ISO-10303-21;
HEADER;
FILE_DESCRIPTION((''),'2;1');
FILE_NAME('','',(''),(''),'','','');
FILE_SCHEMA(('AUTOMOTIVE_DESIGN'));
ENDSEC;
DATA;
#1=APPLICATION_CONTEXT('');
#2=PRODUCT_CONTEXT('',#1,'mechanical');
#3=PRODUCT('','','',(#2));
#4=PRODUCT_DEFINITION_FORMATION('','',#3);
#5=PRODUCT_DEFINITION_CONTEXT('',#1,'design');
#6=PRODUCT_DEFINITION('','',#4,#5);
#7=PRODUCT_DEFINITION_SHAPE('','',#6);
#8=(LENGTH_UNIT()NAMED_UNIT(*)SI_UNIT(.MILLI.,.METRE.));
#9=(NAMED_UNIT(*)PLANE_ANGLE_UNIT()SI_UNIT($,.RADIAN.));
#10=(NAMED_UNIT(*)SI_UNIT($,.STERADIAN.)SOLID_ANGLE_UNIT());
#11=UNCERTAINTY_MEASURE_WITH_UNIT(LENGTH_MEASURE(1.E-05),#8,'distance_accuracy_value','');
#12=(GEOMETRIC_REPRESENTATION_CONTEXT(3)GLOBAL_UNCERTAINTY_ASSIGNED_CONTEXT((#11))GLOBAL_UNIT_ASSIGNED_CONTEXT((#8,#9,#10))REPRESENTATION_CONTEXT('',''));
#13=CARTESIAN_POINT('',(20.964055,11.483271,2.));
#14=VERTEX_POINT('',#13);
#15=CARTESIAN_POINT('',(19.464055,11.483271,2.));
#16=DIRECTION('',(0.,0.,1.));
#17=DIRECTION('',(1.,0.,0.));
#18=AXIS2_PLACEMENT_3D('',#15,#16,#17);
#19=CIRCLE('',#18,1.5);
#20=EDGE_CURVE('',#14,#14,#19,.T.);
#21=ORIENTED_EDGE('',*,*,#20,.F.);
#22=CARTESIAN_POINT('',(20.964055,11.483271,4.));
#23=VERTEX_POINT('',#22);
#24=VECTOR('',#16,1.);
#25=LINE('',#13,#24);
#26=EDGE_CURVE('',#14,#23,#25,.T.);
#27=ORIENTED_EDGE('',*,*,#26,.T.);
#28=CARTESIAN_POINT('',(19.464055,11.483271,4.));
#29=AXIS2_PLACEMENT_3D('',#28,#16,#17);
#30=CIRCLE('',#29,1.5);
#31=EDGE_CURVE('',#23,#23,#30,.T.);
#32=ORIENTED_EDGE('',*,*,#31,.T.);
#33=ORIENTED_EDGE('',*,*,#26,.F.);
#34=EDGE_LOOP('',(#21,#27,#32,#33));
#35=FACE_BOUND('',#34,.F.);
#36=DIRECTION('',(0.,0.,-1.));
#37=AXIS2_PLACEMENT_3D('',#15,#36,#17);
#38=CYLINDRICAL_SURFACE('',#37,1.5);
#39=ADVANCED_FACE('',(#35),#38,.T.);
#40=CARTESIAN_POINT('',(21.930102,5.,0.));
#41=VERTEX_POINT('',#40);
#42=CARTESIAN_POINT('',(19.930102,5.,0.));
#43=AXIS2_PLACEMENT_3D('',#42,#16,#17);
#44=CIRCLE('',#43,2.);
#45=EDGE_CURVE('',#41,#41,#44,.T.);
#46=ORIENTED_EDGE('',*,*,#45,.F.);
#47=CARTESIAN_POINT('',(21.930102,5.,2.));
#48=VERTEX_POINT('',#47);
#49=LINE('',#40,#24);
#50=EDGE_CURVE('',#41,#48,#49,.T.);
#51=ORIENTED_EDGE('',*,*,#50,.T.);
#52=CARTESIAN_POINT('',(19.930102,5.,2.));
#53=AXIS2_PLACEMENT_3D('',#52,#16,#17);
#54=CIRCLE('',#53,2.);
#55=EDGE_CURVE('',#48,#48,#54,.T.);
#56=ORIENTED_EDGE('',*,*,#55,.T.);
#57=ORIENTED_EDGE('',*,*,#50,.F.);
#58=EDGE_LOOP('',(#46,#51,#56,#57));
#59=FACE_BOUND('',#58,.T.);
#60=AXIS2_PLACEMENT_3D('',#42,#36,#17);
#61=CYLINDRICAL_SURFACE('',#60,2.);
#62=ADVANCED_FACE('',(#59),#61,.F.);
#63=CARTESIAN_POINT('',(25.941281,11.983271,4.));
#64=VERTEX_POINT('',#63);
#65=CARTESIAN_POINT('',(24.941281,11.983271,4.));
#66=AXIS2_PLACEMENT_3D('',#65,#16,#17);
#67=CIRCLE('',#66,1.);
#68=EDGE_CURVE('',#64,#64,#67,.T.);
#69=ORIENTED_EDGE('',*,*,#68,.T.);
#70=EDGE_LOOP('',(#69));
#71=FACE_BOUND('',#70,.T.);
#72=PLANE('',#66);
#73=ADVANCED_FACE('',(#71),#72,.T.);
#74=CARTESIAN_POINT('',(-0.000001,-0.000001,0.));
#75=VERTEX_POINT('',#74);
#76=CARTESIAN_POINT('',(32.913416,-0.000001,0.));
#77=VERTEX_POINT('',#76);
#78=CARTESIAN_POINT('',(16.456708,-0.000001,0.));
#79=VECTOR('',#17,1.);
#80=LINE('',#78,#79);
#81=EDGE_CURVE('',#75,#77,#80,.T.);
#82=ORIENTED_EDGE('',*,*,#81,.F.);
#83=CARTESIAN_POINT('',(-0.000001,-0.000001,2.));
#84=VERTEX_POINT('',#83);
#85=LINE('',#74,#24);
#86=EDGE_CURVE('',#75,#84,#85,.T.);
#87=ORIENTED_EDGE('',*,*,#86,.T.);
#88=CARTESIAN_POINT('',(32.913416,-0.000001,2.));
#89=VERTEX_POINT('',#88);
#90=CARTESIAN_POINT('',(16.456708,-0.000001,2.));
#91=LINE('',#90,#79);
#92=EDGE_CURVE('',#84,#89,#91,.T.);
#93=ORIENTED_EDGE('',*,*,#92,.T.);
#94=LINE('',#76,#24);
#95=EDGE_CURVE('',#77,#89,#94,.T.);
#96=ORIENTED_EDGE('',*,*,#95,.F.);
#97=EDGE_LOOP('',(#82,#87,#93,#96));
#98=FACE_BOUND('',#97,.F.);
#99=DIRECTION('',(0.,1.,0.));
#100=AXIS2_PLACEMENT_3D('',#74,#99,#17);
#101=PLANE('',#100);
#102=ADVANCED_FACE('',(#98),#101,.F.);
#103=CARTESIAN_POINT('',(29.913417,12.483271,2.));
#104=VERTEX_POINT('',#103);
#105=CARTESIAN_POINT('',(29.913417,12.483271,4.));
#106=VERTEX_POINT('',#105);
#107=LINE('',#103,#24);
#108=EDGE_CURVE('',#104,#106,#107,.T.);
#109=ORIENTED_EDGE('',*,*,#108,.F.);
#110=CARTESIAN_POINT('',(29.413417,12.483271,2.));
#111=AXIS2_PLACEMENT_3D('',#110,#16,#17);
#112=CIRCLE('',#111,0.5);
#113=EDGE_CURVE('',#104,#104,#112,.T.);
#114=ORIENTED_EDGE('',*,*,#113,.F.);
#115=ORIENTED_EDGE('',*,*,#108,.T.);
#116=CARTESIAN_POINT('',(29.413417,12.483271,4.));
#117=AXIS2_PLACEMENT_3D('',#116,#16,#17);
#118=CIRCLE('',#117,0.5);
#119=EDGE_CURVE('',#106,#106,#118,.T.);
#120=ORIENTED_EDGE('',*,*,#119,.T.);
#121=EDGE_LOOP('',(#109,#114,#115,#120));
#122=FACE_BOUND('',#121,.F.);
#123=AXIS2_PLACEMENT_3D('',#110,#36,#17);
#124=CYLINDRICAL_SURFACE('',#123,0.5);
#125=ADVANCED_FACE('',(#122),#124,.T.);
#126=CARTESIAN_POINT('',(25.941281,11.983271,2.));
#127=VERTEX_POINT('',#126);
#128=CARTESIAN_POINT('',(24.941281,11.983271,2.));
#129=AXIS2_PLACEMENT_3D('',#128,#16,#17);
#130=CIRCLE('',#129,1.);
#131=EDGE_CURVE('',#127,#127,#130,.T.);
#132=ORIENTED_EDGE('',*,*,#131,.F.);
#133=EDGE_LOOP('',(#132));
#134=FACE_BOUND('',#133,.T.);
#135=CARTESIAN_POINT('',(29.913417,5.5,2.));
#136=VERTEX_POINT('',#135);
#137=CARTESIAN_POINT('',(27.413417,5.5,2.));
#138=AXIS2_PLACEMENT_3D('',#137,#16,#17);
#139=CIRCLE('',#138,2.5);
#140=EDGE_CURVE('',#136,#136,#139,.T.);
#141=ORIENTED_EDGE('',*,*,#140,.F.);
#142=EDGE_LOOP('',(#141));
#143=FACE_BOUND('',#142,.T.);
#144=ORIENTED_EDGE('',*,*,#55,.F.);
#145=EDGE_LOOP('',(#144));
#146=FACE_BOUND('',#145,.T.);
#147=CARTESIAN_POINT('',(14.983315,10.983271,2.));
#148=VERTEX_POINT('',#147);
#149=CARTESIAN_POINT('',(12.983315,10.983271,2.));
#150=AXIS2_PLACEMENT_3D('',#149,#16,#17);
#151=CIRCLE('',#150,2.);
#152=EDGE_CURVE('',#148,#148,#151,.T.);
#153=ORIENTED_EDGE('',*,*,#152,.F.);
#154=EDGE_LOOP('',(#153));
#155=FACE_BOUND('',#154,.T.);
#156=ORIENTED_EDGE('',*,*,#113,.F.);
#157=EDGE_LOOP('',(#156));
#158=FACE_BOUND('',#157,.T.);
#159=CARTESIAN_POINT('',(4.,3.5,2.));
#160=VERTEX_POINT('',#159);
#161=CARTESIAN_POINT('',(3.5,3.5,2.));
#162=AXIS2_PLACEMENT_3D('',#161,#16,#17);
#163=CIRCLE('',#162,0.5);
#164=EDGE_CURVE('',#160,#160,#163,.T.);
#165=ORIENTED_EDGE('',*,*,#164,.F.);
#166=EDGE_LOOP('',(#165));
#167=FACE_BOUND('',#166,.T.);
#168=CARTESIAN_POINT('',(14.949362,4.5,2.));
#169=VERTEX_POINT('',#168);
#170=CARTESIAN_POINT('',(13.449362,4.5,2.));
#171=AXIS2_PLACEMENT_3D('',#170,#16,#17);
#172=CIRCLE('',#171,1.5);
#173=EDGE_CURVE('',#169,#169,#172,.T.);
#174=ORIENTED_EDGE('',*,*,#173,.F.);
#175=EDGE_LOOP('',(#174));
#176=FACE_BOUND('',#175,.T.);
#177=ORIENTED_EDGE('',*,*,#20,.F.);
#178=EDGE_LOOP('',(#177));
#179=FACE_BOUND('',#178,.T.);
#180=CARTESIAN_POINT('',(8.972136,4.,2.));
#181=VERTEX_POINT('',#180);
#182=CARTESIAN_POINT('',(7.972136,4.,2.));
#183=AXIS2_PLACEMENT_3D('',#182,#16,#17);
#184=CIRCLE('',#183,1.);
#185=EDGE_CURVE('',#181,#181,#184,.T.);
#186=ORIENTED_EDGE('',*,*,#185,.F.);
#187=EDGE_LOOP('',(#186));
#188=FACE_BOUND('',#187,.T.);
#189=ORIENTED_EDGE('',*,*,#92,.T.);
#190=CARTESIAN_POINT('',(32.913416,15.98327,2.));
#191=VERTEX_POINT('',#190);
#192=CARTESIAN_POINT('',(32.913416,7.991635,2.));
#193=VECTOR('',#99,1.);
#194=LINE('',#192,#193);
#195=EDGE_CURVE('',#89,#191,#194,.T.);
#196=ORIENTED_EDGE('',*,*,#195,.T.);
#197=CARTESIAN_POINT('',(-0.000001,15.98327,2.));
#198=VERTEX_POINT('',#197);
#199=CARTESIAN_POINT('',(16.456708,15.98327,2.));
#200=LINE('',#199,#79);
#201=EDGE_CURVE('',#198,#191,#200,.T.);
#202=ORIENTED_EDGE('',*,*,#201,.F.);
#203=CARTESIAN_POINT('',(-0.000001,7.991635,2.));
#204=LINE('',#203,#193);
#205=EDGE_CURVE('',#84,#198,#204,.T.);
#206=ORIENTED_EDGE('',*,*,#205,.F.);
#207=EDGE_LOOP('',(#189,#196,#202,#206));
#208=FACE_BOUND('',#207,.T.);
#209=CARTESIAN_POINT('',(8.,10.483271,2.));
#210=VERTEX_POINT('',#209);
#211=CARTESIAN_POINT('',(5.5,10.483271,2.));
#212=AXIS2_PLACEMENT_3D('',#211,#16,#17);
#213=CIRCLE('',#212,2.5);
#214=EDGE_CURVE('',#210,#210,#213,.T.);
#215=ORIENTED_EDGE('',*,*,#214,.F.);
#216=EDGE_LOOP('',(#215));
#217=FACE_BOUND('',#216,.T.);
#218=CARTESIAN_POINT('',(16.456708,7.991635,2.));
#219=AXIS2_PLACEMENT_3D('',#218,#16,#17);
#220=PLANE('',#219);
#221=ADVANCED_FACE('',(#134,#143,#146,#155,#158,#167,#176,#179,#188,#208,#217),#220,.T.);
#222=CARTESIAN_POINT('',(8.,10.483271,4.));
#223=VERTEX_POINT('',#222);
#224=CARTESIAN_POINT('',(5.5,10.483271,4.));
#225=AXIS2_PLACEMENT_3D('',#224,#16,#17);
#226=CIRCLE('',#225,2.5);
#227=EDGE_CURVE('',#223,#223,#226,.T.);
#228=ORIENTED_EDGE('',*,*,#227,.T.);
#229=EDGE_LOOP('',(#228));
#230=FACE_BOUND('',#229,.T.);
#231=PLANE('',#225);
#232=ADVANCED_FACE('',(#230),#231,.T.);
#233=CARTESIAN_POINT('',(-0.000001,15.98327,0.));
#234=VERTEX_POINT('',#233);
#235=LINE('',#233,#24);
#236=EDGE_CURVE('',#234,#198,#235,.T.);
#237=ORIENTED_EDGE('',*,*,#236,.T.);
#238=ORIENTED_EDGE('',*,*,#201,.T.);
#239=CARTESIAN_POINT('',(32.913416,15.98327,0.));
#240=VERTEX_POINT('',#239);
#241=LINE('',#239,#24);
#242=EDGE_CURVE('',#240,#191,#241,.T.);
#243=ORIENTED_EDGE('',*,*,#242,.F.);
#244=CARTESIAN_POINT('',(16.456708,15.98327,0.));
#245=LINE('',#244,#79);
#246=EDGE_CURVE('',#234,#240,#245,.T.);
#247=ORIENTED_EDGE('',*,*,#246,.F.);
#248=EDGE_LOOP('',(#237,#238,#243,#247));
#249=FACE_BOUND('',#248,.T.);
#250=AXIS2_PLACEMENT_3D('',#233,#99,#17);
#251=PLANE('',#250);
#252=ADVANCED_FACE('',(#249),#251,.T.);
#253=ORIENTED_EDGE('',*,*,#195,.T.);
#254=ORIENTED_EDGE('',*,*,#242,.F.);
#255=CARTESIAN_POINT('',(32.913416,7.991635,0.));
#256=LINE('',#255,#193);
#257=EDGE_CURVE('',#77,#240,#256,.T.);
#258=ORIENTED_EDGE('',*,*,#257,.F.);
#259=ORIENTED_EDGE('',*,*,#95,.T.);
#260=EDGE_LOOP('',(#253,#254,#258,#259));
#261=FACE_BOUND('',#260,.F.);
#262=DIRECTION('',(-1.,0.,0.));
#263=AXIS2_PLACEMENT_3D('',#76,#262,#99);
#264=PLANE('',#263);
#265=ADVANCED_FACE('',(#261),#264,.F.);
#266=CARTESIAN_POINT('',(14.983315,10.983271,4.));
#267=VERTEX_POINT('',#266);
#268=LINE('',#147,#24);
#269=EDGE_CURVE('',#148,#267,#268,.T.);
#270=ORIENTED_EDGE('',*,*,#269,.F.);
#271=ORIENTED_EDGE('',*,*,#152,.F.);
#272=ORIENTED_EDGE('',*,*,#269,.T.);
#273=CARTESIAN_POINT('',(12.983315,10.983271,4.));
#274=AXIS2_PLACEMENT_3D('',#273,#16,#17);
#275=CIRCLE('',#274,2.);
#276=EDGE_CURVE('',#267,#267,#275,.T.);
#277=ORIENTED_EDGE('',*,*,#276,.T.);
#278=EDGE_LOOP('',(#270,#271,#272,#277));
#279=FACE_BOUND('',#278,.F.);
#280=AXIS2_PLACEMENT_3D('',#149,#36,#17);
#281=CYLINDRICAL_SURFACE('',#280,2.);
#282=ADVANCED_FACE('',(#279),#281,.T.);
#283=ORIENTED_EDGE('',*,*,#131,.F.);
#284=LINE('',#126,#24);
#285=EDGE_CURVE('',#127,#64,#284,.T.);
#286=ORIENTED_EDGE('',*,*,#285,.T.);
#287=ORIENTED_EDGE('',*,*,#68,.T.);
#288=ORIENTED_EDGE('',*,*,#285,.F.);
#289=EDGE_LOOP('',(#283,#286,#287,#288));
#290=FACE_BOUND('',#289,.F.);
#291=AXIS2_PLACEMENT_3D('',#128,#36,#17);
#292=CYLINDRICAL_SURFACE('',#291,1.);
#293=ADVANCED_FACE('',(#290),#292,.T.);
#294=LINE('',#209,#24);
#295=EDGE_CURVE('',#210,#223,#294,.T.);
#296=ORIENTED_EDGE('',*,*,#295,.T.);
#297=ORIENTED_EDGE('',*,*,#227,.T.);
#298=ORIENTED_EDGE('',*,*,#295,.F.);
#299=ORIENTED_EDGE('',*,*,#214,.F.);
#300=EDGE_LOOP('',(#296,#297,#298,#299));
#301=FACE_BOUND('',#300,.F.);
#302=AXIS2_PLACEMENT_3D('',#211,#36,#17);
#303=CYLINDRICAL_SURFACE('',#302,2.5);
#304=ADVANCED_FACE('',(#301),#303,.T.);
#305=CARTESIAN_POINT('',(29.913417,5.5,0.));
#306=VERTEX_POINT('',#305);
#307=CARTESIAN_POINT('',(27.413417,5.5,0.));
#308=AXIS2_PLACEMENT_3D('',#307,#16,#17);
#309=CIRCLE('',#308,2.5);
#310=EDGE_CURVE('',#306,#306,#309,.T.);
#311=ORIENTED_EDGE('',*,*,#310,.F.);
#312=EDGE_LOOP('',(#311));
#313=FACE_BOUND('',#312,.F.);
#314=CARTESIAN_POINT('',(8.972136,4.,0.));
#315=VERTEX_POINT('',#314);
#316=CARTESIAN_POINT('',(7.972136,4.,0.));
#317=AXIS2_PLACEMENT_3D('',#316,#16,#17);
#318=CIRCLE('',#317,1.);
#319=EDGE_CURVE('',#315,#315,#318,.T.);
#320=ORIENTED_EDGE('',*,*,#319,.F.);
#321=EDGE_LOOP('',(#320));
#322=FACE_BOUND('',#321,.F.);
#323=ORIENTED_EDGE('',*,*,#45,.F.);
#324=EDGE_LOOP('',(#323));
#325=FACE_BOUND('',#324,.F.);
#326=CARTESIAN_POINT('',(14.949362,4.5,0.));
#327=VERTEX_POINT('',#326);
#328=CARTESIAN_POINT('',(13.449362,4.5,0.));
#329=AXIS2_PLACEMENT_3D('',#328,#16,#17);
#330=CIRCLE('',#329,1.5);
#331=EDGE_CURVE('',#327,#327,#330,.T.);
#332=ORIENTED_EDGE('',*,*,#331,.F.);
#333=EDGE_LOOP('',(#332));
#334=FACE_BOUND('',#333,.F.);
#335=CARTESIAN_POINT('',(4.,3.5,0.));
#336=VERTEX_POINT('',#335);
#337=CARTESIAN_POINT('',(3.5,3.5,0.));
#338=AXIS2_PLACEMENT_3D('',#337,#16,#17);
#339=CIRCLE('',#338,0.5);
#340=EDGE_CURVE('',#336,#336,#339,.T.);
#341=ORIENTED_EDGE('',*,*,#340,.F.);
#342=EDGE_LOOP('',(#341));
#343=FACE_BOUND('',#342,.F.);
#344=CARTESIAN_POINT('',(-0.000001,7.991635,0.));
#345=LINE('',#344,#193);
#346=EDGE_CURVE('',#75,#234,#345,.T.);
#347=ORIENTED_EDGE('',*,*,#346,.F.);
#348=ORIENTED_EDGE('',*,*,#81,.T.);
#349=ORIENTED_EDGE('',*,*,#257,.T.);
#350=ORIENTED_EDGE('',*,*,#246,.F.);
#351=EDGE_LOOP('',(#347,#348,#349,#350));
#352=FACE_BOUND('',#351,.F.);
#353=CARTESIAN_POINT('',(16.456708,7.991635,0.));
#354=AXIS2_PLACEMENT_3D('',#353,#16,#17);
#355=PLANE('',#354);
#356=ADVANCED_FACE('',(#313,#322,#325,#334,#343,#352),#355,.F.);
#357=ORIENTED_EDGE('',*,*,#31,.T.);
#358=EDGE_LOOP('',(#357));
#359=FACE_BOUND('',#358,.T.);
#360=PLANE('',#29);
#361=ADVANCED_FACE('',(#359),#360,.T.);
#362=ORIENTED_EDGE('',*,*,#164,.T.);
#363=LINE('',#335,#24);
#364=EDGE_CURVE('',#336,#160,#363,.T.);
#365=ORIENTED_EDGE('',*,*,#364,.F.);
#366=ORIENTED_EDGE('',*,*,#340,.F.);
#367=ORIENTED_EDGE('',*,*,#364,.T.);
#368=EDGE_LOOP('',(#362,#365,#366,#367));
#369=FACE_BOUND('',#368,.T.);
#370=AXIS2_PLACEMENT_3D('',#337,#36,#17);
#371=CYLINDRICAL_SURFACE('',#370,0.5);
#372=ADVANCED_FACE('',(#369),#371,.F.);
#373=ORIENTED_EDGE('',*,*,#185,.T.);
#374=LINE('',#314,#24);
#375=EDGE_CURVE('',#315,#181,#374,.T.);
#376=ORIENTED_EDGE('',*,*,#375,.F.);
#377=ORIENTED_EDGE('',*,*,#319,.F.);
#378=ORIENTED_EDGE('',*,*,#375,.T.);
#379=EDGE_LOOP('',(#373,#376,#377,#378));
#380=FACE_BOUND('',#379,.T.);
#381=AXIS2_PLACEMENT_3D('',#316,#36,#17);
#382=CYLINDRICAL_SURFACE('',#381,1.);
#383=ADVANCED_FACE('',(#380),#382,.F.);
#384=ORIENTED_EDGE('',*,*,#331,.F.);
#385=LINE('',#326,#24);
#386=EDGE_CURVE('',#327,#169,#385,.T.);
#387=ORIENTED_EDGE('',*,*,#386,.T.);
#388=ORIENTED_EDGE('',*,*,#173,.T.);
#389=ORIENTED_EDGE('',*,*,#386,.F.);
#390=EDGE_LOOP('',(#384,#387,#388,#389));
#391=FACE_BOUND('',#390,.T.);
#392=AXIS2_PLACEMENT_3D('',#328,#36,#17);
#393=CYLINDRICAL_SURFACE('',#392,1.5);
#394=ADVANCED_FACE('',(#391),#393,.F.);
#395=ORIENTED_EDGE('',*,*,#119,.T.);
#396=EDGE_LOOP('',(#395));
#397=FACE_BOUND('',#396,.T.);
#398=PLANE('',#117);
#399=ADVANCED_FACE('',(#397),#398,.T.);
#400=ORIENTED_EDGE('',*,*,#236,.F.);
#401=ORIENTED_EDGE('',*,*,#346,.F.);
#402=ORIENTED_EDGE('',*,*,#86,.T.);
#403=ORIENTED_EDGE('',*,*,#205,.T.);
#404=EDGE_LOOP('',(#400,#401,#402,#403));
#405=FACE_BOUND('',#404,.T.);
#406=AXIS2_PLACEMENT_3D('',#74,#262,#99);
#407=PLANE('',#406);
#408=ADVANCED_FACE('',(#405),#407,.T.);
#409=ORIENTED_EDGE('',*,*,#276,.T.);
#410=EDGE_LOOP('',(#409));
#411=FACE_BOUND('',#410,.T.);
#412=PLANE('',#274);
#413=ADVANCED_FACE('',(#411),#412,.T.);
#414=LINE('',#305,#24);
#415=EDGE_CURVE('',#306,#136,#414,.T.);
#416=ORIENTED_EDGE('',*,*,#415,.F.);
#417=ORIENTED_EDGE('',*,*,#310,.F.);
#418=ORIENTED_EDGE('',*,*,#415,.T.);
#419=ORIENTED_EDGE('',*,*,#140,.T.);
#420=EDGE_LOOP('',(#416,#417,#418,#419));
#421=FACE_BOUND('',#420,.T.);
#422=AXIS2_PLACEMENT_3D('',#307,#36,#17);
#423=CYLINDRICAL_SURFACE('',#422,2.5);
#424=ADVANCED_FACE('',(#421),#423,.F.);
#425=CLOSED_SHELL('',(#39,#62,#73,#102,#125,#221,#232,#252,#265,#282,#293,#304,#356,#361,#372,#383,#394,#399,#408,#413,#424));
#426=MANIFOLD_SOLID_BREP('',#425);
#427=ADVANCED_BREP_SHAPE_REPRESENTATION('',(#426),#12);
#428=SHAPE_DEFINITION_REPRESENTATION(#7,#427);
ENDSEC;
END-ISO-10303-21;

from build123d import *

# Parameters (mm, degrees)
F0_W     = 32.913417
F0_H     = 15.983271
F0_R     = 0.5
F0_R_2   = 1
F0_R_3   = 1.5
F0_R_4   = 2
F0_R_5   = 2.5
F1_DEPTH = 2
F2_R     = 0.5
F2_R_2   = 1
F2_R_3   = 1.5
F2_R_4   = 2
F2_R_5   = 2.5
F3_DEPTH = 2


with BuildPart() as f1:
    # F0 (on Top) → F1 (new body)
    with BuildSketch(Plane.XY):
        with Locations((16.456708, 7.991635)):
            Rectangle(F0_W, F0_H)
        with Locations((3.5, 3.5)):
            Circle(F0_R, mode=Mode.SUBTRACT)
        with Locations((7.972136, 4)):
            Circle(F0_R_2, mode=Mode.SUBTRACT)
        with Locations((13.449362, 4.5)):
            Circle(F0_R_3, mode=Mode.SUBTRACT)
        with Locations((19.930102, 5)):
            Circle(F0_R_4, mode=Mode.SUBTRACT)
        with Locations((27.413417, 5.5)):
            Circle(F0_R_5, mode=Mode.SUBTRACT)
        with Locations((5.5, 10.483271)):
            Circle(F0_R_5, mode=Mode.SUBTRACT)
        with Locations((12.983315, 10.983271)):
            Circle(F0_R_4, mode=Mode.SUBTRACT)
        with Locations((19.464055, 11.483271)):
            Circle(F0_R_3, mode=Mode.SUBTRACT)
        with Locations((24.941281, 11.983271)):
            Circle(F0_R_2, mode=Mode.SUBTRACT)
        with Locations((29.413417, 12.483271)):
            Circle(F0_R, mode=Mode.SUBTRACT)
        with Locations((5.5, 10.483271)):
            Circle(F0_R_5)
        with Locations((12.983315, 10.983271)):
            Circle(F0_R_4)
        with Locations((19.464055, 11.483271)):
            Circle(F0_R_3)
        with Locations((24.941281, 11.983271)):
            Circle(F0_R_2)
        with Locations((29.413417, 12.483271)):
            Circle(F0_R)
    extrude(amount=F1_DEPTH)

    # F2 (on face) → F3 (join)
    with BuildSketch(Plane.XY.offset(2)):
        with Locations((29.413417, 12.483271)):
            Circle(F2_R)
        with Locations((24.941281, 11.983271)):
            Circle(F2_R_2)
        with Locations((19.464055, 11.483271)):
            Circle(F2_R_3)
        with Locations((12.983315, 10.983271)):
            Circle(F2_R_4)
        with Locations((5.5, 10.483271)):
            Circle(F2_R_5)
    extrude(amount=F3_DEPTH)


solid = f1.part
